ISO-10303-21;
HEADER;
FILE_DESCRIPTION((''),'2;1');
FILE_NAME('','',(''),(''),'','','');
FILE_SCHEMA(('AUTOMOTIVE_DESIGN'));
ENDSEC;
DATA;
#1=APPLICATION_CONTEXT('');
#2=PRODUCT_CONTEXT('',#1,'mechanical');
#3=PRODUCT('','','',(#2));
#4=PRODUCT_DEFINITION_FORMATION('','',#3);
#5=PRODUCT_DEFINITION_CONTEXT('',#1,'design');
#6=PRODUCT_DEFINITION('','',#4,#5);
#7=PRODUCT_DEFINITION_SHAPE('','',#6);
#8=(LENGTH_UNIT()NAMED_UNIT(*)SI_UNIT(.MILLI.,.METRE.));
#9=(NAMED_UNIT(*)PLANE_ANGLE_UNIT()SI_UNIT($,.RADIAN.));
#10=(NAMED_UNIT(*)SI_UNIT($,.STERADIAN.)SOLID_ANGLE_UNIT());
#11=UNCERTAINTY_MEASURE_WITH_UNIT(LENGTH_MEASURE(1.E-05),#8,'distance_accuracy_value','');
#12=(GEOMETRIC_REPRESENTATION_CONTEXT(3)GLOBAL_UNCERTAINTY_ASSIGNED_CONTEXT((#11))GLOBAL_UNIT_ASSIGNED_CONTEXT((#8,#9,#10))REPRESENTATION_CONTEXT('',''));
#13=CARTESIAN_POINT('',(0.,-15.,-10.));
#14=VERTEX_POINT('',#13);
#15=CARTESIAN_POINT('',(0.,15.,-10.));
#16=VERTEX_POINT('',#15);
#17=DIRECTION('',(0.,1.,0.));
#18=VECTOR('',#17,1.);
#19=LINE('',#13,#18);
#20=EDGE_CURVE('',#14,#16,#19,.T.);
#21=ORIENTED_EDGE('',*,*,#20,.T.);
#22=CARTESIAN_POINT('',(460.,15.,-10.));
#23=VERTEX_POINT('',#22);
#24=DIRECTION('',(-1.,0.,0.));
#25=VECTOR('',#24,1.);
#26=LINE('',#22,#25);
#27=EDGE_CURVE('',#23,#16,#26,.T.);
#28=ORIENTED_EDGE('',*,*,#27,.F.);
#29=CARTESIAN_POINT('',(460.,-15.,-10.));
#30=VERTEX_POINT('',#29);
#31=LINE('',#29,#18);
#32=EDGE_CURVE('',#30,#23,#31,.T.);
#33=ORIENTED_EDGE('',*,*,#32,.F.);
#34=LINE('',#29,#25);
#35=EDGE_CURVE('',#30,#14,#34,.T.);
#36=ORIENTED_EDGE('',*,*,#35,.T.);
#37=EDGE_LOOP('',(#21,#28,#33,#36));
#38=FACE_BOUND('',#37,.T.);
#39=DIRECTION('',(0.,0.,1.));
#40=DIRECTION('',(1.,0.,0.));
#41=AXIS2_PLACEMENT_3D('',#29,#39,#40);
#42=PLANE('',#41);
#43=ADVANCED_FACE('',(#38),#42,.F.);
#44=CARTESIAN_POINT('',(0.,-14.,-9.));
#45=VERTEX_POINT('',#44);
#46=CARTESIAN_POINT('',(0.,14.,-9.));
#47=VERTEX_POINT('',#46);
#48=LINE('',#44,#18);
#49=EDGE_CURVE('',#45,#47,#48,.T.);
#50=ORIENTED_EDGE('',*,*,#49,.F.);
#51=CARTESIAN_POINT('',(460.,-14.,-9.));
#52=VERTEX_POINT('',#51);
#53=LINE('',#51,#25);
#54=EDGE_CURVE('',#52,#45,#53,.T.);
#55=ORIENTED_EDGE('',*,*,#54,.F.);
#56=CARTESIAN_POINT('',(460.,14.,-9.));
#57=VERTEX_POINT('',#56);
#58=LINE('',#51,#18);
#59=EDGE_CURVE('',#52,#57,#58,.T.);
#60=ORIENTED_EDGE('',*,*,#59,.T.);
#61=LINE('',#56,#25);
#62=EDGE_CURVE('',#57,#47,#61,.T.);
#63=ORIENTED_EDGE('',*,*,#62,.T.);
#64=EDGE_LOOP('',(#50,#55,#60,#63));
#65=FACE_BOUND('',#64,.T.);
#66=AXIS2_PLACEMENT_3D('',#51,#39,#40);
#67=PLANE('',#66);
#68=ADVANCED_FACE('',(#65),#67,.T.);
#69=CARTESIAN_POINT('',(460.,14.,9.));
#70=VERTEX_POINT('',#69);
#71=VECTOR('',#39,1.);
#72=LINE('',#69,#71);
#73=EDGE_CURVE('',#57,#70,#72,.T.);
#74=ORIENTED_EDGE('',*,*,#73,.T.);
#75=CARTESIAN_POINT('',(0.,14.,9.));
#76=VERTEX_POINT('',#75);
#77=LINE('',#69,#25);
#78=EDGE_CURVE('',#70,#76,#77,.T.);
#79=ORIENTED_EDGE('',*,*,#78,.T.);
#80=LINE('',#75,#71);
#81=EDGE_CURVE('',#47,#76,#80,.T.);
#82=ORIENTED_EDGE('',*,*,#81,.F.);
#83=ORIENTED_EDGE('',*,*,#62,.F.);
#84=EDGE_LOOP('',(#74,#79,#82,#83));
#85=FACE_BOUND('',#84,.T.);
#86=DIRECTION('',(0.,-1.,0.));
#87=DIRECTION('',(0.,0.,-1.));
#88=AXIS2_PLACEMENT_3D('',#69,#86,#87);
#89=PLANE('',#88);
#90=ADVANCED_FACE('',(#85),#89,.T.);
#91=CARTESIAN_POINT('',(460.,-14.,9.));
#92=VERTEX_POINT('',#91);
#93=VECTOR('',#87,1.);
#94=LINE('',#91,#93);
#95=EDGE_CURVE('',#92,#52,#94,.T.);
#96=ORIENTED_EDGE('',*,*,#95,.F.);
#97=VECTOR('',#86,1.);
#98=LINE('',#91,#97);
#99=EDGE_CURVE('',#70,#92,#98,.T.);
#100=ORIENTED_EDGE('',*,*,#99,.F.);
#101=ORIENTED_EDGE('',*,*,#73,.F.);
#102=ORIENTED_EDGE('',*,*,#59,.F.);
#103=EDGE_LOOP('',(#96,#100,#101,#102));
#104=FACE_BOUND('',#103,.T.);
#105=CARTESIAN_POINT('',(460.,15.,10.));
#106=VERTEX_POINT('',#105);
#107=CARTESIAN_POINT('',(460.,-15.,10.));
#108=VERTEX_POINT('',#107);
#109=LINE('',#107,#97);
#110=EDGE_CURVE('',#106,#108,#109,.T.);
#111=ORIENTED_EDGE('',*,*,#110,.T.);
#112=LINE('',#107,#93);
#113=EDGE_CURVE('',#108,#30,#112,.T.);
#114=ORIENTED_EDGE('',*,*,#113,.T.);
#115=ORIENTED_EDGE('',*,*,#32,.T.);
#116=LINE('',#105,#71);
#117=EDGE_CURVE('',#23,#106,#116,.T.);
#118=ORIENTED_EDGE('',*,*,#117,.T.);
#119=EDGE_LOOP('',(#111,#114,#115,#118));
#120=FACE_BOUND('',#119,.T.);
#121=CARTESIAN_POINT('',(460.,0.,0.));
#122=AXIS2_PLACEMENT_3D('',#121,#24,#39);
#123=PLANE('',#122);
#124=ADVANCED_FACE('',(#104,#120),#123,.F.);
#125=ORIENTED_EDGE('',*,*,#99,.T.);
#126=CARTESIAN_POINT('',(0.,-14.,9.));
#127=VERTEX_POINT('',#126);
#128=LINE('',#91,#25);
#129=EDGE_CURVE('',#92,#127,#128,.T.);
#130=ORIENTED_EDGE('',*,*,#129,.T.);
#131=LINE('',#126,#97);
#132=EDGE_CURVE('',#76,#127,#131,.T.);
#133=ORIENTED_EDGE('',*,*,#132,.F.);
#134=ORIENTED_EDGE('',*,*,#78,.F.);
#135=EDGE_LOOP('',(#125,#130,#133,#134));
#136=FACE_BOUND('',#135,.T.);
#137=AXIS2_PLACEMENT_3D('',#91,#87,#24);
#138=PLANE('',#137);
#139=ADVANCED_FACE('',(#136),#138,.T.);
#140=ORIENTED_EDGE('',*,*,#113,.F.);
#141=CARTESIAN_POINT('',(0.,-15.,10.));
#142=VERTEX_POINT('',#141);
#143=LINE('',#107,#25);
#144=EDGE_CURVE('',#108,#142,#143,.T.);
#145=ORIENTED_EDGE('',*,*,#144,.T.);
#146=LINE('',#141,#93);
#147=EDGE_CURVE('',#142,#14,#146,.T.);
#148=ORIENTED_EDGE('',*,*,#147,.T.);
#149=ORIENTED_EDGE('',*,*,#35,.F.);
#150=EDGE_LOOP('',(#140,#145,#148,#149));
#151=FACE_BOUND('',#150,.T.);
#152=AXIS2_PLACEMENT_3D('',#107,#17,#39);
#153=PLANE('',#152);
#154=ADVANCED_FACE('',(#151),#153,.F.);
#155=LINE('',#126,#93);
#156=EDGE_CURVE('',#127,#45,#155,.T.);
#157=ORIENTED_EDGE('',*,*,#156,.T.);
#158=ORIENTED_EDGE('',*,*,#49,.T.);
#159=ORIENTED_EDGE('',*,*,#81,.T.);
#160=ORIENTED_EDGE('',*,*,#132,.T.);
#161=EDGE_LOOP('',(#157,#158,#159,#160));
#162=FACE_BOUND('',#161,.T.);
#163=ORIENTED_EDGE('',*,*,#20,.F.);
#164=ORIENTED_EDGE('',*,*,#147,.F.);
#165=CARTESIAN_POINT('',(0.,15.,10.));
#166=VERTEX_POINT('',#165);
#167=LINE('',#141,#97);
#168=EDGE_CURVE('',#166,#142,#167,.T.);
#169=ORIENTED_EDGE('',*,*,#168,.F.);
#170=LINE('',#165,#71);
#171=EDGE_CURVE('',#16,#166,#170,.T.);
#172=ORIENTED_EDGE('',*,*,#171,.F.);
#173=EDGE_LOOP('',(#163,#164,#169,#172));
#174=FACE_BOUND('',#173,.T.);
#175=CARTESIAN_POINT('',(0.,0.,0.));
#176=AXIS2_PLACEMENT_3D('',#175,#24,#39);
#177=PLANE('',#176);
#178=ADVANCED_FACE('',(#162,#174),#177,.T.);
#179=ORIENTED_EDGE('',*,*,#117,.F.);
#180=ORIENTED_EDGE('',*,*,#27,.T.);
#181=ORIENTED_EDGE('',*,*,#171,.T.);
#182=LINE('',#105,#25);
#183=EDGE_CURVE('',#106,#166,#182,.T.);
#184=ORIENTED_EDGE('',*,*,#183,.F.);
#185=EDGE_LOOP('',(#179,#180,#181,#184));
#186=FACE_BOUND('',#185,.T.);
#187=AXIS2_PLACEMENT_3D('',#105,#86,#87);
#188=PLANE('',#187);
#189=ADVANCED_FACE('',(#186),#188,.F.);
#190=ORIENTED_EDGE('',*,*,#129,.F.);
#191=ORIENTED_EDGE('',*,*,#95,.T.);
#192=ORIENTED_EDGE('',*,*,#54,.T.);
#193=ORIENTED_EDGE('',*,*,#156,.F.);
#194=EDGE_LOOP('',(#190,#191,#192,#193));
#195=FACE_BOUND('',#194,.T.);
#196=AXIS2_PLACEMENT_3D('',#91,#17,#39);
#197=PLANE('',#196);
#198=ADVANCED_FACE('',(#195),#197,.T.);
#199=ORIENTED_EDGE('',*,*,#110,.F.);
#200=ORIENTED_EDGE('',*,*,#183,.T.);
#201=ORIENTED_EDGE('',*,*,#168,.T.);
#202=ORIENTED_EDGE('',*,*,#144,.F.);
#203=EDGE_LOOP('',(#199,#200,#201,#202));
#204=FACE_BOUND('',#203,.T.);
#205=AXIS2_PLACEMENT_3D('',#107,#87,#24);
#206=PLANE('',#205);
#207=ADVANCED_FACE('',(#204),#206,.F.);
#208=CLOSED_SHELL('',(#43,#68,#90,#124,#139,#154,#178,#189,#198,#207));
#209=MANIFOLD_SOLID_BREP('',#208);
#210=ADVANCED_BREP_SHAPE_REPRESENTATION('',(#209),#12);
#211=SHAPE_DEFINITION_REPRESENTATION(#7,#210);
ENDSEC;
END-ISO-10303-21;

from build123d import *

# Parameters (mm, degrees)
SKETCH_11_W       = 20
SKETCH_11_H       = 30
SKETCH_11_W_2     = 18
SKETCH_11_H_2     = 28
F_20X30X1_1_DEPTH = 460


with BuildPart() as part:
    # 草图11 → 铝管 20X30X1(1) (new body)
    with BuildSketch(Plane(origin=(0, 0, 0), x_dir=(0, 0, -1), z_dir=(1, 0, 0))):
        Rectangle(SKETCH_11_W, SKETCH_11_H)
        Rectangle(SKETCH_11_W_2, SKETCH_11_H_2, mode=Mode.SUBTRACT)
    extrude(amount=F_20X30X1_1_DEPTH)


solid = part.part
